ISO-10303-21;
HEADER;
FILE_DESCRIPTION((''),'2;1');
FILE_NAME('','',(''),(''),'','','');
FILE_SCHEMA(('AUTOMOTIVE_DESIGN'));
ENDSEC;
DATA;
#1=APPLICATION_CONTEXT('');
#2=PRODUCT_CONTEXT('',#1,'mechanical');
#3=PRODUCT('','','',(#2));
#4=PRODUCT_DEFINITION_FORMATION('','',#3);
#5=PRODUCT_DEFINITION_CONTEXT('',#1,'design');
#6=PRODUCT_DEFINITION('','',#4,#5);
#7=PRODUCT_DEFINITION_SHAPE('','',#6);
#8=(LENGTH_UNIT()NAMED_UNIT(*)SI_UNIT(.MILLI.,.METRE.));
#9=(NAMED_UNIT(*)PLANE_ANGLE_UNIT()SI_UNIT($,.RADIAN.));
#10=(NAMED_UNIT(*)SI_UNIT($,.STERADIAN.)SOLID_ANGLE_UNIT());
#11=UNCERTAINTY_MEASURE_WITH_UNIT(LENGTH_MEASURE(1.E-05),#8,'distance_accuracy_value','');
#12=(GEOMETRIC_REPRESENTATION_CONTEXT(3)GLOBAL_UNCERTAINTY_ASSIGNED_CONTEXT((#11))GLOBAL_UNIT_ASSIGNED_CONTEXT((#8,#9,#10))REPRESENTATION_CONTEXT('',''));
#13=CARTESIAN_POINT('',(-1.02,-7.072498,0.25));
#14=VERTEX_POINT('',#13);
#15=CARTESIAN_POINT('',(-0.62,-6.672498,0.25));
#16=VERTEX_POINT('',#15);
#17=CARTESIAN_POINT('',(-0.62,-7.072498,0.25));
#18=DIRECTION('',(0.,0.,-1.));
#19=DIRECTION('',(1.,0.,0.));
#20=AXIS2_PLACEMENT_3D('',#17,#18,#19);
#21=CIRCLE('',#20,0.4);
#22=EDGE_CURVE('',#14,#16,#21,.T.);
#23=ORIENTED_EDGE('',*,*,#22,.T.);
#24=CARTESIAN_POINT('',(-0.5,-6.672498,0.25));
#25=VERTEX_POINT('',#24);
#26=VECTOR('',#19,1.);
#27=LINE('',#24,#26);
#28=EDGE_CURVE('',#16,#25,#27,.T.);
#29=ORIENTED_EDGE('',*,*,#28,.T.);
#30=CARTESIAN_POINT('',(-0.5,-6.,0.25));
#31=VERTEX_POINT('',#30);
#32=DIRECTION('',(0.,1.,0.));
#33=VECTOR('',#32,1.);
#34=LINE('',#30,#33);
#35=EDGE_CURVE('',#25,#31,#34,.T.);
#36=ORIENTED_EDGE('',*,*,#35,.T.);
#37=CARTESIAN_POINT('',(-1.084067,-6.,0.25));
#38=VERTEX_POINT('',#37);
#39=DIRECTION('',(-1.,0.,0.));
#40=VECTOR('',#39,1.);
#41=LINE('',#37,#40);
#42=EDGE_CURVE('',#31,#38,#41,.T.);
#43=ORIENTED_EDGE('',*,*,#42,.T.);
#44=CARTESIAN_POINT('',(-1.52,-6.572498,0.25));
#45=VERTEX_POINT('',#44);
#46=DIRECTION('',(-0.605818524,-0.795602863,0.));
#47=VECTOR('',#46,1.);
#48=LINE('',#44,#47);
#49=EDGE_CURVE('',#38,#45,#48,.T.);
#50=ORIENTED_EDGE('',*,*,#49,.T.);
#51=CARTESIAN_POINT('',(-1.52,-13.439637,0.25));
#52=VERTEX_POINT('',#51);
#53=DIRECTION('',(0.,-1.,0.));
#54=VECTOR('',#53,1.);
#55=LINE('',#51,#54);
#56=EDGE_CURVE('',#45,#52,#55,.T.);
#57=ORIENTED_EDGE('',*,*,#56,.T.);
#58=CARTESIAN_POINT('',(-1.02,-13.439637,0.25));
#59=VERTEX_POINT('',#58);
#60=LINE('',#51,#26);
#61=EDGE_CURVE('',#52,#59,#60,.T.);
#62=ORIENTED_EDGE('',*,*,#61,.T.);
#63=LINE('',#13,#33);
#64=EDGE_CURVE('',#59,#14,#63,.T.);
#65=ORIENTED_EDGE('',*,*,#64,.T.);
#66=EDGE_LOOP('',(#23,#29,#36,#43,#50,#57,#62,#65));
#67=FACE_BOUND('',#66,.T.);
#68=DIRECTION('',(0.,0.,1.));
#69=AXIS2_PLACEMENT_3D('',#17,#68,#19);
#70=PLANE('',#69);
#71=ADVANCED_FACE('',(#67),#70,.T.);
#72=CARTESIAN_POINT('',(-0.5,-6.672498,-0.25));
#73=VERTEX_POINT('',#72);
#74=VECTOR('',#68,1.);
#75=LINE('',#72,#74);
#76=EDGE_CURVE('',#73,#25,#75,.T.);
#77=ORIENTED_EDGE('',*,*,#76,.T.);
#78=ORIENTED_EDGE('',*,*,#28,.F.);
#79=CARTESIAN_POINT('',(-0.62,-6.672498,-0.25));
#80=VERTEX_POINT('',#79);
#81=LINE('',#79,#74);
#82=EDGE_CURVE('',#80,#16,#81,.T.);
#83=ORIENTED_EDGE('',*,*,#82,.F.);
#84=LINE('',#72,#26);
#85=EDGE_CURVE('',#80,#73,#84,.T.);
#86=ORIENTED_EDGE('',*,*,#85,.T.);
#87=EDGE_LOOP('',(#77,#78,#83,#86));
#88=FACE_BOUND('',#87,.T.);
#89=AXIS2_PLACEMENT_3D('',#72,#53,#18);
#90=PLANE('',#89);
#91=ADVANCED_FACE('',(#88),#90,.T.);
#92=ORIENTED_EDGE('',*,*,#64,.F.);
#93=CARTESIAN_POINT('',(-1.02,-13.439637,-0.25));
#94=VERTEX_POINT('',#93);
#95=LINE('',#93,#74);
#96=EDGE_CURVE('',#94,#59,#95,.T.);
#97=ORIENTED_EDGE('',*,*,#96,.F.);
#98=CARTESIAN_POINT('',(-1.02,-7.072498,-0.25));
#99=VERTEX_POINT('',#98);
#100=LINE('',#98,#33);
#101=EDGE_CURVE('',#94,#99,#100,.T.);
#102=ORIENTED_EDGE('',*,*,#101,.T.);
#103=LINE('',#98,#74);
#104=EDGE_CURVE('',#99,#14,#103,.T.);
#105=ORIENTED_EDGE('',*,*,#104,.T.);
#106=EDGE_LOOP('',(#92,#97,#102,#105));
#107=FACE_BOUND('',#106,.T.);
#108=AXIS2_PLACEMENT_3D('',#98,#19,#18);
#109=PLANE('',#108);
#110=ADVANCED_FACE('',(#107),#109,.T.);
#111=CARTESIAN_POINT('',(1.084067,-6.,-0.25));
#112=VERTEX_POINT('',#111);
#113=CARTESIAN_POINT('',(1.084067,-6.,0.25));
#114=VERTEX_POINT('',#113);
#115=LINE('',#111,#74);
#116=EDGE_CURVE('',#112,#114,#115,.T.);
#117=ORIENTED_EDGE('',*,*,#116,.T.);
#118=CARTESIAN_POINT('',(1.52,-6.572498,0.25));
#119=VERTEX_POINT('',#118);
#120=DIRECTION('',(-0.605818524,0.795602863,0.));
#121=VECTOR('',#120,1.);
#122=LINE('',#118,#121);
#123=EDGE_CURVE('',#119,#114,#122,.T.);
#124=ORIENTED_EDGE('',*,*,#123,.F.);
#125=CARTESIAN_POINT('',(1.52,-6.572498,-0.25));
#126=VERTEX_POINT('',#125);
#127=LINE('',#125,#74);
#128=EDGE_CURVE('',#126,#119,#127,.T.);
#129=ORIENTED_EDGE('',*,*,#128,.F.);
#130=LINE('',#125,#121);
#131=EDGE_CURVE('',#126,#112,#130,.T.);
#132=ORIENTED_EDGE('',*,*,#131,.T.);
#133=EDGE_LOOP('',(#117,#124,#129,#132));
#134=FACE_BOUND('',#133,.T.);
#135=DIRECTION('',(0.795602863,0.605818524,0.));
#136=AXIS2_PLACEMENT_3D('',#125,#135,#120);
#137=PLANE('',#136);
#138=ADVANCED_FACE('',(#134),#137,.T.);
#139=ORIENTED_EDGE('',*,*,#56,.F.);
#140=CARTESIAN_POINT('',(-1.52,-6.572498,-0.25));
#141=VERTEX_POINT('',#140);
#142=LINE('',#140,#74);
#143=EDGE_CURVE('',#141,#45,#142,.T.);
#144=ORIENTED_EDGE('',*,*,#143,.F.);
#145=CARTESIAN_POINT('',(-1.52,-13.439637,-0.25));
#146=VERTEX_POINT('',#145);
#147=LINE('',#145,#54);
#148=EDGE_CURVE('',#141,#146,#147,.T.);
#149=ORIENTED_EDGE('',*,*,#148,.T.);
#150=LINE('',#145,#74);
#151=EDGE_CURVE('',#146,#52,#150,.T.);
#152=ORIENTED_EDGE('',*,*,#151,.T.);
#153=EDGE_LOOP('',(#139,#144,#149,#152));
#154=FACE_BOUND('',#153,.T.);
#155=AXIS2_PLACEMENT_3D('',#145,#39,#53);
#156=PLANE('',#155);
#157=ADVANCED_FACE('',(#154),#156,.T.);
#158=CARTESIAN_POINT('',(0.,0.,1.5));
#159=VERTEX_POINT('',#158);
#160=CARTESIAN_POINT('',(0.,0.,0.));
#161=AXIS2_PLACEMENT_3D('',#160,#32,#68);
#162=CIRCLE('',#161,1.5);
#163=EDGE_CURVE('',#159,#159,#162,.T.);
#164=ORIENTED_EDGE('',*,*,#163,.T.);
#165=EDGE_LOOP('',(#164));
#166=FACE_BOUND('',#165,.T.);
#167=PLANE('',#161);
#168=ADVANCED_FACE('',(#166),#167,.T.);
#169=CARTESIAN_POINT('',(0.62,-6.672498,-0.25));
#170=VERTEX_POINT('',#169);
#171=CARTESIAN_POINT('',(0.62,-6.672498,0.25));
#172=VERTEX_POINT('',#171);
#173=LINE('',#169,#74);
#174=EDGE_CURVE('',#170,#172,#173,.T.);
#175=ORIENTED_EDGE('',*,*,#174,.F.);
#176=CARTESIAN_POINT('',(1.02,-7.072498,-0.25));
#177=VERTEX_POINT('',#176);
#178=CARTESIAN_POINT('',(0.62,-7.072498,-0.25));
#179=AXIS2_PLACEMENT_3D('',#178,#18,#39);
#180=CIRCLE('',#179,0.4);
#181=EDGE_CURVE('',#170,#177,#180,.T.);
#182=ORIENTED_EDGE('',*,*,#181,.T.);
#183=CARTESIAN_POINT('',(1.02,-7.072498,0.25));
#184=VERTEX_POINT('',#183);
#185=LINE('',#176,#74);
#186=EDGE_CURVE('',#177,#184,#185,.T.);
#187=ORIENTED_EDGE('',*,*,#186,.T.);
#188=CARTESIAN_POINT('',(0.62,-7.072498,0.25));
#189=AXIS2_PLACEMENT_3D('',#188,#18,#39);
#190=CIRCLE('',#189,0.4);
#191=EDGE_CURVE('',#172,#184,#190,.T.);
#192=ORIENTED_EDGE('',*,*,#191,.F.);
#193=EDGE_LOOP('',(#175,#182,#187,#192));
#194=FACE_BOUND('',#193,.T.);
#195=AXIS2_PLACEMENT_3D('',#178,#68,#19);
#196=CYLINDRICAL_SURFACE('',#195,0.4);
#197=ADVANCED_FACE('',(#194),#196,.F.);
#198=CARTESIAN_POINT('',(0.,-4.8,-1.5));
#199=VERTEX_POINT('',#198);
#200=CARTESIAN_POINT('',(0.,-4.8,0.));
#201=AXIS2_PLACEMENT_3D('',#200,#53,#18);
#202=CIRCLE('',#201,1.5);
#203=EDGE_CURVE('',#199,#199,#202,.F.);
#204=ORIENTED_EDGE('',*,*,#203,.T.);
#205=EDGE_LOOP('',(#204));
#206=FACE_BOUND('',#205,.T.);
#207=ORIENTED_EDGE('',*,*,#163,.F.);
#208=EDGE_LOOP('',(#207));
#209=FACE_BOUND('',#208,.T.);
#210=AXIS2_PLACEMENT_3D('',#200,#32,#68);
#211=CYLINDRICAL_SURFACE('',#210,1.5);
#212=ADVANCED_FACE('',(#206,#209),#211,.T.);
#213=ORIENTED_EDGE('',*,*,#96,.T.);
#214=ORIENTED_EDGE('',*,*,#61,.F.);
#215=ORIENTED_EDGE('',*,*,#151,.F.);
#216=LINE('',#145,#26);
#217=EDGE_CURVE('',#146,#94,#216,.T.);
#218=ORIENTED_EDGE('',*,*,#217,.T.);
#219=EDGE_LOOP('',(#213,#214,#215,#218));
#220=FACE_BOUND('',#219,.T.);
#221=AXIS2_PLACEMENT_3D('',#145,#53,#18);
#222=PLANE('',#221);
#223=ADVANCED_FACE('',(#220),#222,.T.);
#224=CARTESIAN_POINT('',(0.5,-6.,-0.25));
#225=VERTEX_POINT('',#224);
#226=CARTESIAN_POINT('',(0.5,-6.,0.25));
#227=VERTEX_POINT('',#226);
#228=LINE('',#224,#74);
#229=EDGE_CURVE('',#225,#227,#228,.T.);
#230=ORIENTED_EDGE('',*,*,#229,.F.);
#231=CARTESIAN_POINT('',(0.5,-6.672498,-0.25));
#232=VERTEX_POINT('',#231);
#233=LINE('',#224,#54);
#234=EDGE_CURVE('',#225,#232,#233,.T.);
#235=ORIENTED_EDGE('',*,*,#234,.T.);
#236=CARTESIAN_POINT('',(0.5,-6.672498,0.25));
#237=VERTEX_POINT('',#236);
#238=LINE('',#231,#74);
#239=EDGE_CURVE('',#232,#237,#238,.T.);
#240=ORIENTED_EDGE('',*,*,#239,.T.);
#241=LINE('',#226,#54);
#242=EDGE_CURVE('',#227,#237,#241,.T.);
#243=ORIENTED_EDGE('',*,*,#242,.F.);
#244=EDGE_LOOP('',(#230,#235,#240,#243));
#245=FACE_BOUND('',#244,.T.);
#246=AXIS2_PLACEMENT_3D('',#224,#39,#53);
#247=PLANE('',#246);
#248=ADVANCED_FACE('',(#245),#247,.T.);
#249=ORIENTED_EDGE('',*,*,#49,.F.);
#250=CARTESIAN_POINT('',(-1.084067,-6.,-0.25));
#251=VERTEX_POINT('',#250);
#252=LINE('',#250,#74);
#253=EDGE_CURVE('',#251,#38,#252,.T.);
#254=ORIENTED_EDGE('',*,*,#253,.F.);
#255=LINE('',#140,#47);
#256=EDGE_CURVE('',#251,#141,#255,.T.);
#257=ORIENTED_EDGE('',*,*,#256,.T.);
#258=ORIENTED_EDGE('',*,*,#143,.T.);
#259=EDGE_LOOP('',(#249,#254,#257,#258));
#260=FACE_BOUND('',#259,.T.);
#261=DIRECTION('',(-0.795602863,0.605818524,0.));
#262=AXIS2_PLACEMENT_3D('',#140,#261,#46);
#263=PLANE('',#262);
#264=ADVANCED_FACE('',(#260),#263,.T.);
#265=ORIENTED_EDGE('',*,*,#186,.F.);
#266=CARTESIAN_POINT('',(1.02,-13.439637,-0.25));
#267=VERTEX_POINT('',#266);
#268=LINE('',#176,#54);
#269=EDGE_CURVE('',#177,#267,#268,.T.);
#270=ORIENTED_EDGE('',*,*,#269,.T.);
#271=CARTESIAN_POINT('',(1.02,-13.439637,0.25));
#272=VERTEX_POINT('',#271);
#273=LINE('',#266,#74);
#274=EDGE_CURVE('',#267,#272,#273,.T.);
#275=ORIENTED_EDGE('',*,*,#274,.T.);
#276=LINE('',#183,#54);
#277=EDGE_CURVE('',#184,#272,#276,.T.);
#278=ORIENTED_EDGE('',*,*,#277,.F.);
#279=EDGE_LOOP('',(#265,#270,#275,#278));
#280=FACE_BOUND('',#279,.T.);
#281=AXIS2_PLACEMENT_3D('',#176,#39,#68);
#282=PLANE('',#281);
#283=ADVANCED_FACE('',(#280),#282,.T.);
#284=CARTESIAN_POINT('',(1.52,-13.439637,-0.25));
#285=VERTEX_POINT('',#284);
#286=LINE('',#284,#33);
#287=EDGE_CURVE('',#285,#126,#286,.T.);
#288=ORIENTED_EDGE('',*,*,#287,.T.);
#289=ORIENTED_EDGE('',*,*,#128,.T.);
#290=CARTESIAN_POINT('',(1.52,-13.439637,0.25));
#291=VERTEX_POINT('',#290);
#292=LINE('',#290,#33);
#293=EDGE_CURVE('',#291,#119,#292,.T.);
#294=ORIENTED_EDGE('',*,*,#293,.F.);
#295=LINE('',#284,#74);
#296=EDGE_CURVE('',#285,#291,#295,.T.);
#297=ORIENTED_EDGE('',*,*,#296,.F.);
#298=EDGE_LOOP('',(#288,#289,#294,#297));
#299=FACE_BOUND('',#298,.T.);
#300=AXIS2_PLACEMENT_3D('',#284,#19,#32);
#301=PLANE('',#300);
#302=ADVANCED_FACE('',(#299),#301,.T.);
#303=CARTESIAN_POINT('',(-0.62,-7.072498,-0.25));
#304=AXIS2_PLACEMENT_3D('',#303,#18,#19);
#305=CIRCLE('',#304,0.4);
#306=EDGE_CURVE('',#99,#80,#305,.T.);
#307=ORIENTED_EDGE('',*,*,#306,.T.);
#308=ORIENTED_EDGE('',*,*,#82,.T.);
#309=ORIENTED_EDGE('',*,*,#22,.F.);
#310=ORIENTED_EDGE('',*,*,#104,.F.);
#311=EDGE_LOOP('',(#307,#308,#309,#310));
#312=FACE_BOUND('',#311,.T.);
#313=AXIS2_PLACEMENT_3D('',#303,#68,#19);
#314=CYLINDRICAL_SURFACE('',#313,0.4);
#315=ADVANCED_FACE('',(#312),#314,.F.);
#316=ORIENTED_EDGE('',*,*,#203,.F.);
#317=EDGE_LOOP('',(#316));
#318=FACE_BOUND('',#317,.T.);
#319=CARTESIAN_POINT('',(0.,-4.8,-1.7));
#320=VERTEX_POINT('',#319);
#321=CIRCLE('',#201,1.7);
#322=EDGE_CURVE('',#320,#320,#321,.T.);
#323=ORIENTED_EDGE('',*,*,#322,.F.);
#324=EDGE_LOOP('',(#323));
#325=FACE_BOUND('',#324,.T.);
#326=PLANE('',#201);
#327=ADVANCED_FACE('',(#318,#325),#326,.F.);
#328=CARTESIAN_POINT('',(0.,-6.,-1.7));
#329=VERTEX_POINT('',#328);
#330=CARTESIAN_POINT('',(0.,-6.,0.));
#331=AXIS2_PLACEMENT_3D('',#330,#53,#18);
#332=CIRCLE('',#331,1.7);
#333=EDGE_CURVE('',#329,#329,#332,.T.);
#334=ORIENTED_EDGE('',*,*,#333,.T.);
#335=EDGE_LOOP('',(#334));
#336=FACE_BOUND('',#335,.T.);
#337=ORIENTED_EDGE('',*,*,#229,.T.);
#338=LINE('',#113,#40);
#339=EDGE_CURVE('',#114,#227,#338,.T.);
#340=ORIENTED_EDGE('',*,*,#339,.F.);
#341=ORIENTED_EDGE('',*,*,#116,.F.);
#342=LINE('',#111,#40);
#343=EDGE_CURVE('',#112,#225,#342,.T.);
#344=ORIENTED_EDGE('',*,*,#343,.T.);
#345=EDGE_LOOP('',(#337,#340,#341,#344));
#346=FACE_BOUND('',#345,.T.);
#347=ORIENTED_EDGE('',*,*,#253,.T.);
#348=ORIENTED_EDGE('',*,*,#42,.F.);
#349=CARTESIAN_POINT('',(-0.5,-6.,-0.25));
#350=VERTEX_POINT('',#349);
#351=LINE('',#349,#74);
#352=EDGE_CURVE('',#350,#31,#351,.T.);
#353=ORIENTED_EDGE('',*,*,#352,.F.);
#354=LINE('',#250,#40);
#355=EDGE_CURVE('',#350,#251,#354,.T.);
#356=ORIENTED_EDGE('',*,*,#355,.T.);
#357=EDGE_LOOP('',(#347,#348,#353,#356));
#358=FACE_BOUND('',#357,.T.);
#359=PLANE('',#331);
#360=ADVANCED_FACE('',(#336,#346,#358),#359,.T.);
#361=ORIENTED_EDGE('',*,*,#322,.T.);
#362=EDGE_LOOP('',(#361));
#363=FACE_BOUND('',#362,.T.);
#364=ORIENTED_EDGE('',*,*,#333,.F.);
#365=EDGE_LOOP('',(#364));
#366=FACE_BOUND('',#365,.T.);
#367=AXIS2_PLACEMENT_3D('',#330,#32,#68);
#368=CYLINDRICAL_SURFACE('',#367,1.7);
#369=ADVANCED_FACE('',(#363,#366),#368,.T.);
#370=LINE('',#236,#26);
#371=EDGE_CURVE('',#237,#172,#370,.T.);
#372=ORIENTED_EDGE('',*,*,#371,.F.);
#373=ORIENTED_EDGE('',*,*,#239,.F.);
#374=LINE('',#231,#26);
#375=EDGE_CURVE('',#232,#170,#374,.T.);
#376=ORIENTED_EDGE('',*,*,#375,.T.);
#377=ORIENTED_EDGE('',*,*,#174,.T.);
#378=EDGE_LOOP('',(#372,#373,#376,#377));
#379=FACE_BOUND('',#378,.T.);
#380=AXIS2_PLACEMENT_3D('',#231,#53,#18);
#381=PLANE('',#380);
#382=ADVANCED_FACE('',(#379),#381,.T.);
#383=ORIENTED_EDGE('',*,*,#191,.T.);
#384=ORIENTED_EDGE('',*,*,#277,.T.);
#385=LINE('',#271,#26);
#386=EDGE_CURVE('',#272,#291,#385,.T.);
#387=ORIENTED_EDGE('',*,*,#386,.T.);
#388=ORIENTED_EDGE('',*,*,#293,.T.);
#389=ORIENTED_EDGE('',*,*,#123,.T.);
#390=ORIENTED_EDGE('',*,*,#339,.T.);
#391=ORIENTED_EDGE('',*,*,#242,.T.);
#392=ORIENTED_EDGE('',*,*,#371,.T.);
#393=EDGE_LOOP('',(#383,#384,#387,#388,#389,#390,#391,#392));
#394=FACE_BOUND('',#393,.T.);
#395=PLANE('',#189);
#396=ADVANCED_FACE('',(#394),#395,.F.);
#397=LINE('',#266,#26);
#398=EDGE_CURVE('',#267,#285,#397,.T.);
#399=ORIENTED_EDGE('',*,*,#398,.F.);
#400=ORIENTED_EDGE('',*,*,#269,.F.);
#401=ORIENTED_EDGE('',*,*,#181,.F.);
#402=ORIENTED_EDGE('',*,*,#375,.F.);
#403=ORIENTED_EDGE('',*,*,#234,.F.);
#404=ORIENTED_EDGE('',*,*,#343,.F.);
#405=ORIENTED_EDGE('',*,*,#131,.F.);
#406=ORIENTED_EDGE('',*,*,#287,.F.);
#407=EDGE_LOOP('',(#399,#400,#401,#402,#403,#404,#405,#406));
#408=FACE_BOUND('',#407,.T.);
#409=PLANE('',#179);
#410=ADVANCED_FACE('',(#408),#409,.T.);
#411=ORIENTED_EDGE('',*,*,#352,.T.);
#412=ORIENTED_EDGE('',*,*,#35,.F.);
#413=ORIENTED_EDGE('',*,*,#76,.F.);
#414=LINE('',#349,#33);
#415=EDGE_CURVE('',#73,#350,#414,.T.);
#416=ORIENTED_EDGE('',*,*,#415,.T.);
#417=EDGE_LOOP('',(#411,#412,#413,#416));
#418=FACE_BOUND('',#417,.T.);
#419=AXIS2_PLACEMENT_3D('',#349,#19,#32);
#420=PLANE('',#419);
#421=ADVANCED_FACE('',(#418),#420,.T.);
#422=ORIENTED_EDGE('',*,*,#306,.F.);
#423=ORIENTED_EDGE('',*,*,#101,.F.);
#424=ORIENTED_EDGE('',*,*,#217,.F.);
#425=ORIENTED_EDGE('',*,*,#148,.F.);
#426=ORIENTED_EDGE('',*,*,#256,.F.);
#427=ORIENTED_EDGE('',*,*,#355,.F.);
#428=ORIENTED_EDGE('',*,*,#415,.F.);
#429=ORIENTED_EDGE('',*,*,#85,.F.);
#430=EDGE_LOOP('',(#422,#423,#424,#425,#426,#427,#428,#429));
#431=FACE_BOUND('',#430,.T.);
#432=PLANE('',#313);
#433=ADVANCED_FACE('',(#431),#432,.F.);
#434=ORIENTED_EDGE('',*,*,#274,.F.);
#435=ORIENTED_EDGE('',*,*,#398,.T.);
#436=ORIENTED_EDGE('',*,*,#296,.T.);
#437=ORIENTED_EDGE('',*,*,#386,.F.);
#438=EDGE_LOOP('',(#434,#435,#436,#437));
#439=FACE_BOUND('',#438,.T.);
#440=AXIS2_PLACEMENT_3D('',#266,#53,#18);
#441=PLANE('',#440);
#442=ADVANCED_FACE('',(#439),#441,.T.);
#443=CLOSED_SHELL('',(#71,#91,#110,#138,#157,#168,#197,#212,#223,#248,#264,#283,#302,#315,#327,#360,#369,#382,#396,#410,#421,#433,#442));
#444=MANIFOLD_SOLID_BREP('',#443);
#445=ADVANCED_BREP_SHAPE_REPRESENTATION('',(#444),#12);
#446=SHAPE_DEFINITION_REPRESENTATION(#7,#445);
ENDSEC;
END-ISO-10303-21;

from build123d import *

# Parameters (mm, degrees)
ESQUISSE1_R             = 1.5
BOSS_EXTRU_1_DEPTH      = 4.8
ESQUISSE2_R             = 1.7
BOSS_EXTRU_2_DEPTH      = 1.2
BOSS_EXTRU_3_DEPTH      = 0.25
BOSS_EXTRU_3_DEPTH_BACK = 0.25


with BuildPart() as part:
    # Esquisse1 → Boss.-Extru.1 (new body)
    with BuildSketch(Plane(origin=(0, 0, 0), x_dir=(1, 0, 0), z_dir=(0, 1, 0))):
        Circle(ESQUISSE1_R)
    extrude(amount=-BOSS_EXTRU_1_DEPTH)

    # Esquisse2 → Boss.-Extru.2 (add)
    with BuildSketch(Plane.XZ.offset(4.8)):
        Circle(ESQUISSE2_R)
    extrude(amount=BOSS_EXTRU_2_DEPTH)

    # Esquisse3 → Boss.-Extru.3 (add, two sides: drawn at the far end of the back side and taken through both)
    with BuildSketch(Plane.XY.offset(-BOSS_EXTRU_3_DEPTH_BACK)):
        with BuildLine():
            Line((0.5, -6), (0.5, -6.672497838))
            Line((0.5, -6.672497838), (0.62, -6.672497838))
            ThreePointArc((0.62, -6.672497838), (0.902842712, -6.789655126), (1.02, -7.072497838))
            Line((1.02, -7.072497838), (1.02, -13.439637098))
            Line((1.02, -13.439637098), (1.52, -13.439637098))
            Line((1.52, -13.439637098), (1.52, -6.572497838))
            Line((1.52, -6.572497838), (1.084066682, -6))
            Line((1.084066682, -6), (0.5, -6))
        make_face()
        with BuildLine():
            Line((-1.084066682, -6), (-0.5, -6))
            Line((-0.5, -6), (-0.5, -6.672497838))
            Line((-0.5, -6.672497838), (-0.62, -6.672497838))
            ThreePointArc((-0.62, -6.672497838), (-0.902842712, -6.789655126), (-1.02, -7.072497838))
            Line((-1.02, -7.072497838), (-1.02, -13.439637098))
            Line((-1.02, -13.439637098), (-1.52, -13.439637098))
            Line((-1.52, -13.439637098), (-1.52, -6.572497838))
            Line((-1.52, -6.572497838), (-1.084066682, -6))
        make_face()
    extrude(amount=BOSS_EXTRU_3_DEPTH + BOSS_EXTRU_3_DEPTH_BACK)


solid = part.part
